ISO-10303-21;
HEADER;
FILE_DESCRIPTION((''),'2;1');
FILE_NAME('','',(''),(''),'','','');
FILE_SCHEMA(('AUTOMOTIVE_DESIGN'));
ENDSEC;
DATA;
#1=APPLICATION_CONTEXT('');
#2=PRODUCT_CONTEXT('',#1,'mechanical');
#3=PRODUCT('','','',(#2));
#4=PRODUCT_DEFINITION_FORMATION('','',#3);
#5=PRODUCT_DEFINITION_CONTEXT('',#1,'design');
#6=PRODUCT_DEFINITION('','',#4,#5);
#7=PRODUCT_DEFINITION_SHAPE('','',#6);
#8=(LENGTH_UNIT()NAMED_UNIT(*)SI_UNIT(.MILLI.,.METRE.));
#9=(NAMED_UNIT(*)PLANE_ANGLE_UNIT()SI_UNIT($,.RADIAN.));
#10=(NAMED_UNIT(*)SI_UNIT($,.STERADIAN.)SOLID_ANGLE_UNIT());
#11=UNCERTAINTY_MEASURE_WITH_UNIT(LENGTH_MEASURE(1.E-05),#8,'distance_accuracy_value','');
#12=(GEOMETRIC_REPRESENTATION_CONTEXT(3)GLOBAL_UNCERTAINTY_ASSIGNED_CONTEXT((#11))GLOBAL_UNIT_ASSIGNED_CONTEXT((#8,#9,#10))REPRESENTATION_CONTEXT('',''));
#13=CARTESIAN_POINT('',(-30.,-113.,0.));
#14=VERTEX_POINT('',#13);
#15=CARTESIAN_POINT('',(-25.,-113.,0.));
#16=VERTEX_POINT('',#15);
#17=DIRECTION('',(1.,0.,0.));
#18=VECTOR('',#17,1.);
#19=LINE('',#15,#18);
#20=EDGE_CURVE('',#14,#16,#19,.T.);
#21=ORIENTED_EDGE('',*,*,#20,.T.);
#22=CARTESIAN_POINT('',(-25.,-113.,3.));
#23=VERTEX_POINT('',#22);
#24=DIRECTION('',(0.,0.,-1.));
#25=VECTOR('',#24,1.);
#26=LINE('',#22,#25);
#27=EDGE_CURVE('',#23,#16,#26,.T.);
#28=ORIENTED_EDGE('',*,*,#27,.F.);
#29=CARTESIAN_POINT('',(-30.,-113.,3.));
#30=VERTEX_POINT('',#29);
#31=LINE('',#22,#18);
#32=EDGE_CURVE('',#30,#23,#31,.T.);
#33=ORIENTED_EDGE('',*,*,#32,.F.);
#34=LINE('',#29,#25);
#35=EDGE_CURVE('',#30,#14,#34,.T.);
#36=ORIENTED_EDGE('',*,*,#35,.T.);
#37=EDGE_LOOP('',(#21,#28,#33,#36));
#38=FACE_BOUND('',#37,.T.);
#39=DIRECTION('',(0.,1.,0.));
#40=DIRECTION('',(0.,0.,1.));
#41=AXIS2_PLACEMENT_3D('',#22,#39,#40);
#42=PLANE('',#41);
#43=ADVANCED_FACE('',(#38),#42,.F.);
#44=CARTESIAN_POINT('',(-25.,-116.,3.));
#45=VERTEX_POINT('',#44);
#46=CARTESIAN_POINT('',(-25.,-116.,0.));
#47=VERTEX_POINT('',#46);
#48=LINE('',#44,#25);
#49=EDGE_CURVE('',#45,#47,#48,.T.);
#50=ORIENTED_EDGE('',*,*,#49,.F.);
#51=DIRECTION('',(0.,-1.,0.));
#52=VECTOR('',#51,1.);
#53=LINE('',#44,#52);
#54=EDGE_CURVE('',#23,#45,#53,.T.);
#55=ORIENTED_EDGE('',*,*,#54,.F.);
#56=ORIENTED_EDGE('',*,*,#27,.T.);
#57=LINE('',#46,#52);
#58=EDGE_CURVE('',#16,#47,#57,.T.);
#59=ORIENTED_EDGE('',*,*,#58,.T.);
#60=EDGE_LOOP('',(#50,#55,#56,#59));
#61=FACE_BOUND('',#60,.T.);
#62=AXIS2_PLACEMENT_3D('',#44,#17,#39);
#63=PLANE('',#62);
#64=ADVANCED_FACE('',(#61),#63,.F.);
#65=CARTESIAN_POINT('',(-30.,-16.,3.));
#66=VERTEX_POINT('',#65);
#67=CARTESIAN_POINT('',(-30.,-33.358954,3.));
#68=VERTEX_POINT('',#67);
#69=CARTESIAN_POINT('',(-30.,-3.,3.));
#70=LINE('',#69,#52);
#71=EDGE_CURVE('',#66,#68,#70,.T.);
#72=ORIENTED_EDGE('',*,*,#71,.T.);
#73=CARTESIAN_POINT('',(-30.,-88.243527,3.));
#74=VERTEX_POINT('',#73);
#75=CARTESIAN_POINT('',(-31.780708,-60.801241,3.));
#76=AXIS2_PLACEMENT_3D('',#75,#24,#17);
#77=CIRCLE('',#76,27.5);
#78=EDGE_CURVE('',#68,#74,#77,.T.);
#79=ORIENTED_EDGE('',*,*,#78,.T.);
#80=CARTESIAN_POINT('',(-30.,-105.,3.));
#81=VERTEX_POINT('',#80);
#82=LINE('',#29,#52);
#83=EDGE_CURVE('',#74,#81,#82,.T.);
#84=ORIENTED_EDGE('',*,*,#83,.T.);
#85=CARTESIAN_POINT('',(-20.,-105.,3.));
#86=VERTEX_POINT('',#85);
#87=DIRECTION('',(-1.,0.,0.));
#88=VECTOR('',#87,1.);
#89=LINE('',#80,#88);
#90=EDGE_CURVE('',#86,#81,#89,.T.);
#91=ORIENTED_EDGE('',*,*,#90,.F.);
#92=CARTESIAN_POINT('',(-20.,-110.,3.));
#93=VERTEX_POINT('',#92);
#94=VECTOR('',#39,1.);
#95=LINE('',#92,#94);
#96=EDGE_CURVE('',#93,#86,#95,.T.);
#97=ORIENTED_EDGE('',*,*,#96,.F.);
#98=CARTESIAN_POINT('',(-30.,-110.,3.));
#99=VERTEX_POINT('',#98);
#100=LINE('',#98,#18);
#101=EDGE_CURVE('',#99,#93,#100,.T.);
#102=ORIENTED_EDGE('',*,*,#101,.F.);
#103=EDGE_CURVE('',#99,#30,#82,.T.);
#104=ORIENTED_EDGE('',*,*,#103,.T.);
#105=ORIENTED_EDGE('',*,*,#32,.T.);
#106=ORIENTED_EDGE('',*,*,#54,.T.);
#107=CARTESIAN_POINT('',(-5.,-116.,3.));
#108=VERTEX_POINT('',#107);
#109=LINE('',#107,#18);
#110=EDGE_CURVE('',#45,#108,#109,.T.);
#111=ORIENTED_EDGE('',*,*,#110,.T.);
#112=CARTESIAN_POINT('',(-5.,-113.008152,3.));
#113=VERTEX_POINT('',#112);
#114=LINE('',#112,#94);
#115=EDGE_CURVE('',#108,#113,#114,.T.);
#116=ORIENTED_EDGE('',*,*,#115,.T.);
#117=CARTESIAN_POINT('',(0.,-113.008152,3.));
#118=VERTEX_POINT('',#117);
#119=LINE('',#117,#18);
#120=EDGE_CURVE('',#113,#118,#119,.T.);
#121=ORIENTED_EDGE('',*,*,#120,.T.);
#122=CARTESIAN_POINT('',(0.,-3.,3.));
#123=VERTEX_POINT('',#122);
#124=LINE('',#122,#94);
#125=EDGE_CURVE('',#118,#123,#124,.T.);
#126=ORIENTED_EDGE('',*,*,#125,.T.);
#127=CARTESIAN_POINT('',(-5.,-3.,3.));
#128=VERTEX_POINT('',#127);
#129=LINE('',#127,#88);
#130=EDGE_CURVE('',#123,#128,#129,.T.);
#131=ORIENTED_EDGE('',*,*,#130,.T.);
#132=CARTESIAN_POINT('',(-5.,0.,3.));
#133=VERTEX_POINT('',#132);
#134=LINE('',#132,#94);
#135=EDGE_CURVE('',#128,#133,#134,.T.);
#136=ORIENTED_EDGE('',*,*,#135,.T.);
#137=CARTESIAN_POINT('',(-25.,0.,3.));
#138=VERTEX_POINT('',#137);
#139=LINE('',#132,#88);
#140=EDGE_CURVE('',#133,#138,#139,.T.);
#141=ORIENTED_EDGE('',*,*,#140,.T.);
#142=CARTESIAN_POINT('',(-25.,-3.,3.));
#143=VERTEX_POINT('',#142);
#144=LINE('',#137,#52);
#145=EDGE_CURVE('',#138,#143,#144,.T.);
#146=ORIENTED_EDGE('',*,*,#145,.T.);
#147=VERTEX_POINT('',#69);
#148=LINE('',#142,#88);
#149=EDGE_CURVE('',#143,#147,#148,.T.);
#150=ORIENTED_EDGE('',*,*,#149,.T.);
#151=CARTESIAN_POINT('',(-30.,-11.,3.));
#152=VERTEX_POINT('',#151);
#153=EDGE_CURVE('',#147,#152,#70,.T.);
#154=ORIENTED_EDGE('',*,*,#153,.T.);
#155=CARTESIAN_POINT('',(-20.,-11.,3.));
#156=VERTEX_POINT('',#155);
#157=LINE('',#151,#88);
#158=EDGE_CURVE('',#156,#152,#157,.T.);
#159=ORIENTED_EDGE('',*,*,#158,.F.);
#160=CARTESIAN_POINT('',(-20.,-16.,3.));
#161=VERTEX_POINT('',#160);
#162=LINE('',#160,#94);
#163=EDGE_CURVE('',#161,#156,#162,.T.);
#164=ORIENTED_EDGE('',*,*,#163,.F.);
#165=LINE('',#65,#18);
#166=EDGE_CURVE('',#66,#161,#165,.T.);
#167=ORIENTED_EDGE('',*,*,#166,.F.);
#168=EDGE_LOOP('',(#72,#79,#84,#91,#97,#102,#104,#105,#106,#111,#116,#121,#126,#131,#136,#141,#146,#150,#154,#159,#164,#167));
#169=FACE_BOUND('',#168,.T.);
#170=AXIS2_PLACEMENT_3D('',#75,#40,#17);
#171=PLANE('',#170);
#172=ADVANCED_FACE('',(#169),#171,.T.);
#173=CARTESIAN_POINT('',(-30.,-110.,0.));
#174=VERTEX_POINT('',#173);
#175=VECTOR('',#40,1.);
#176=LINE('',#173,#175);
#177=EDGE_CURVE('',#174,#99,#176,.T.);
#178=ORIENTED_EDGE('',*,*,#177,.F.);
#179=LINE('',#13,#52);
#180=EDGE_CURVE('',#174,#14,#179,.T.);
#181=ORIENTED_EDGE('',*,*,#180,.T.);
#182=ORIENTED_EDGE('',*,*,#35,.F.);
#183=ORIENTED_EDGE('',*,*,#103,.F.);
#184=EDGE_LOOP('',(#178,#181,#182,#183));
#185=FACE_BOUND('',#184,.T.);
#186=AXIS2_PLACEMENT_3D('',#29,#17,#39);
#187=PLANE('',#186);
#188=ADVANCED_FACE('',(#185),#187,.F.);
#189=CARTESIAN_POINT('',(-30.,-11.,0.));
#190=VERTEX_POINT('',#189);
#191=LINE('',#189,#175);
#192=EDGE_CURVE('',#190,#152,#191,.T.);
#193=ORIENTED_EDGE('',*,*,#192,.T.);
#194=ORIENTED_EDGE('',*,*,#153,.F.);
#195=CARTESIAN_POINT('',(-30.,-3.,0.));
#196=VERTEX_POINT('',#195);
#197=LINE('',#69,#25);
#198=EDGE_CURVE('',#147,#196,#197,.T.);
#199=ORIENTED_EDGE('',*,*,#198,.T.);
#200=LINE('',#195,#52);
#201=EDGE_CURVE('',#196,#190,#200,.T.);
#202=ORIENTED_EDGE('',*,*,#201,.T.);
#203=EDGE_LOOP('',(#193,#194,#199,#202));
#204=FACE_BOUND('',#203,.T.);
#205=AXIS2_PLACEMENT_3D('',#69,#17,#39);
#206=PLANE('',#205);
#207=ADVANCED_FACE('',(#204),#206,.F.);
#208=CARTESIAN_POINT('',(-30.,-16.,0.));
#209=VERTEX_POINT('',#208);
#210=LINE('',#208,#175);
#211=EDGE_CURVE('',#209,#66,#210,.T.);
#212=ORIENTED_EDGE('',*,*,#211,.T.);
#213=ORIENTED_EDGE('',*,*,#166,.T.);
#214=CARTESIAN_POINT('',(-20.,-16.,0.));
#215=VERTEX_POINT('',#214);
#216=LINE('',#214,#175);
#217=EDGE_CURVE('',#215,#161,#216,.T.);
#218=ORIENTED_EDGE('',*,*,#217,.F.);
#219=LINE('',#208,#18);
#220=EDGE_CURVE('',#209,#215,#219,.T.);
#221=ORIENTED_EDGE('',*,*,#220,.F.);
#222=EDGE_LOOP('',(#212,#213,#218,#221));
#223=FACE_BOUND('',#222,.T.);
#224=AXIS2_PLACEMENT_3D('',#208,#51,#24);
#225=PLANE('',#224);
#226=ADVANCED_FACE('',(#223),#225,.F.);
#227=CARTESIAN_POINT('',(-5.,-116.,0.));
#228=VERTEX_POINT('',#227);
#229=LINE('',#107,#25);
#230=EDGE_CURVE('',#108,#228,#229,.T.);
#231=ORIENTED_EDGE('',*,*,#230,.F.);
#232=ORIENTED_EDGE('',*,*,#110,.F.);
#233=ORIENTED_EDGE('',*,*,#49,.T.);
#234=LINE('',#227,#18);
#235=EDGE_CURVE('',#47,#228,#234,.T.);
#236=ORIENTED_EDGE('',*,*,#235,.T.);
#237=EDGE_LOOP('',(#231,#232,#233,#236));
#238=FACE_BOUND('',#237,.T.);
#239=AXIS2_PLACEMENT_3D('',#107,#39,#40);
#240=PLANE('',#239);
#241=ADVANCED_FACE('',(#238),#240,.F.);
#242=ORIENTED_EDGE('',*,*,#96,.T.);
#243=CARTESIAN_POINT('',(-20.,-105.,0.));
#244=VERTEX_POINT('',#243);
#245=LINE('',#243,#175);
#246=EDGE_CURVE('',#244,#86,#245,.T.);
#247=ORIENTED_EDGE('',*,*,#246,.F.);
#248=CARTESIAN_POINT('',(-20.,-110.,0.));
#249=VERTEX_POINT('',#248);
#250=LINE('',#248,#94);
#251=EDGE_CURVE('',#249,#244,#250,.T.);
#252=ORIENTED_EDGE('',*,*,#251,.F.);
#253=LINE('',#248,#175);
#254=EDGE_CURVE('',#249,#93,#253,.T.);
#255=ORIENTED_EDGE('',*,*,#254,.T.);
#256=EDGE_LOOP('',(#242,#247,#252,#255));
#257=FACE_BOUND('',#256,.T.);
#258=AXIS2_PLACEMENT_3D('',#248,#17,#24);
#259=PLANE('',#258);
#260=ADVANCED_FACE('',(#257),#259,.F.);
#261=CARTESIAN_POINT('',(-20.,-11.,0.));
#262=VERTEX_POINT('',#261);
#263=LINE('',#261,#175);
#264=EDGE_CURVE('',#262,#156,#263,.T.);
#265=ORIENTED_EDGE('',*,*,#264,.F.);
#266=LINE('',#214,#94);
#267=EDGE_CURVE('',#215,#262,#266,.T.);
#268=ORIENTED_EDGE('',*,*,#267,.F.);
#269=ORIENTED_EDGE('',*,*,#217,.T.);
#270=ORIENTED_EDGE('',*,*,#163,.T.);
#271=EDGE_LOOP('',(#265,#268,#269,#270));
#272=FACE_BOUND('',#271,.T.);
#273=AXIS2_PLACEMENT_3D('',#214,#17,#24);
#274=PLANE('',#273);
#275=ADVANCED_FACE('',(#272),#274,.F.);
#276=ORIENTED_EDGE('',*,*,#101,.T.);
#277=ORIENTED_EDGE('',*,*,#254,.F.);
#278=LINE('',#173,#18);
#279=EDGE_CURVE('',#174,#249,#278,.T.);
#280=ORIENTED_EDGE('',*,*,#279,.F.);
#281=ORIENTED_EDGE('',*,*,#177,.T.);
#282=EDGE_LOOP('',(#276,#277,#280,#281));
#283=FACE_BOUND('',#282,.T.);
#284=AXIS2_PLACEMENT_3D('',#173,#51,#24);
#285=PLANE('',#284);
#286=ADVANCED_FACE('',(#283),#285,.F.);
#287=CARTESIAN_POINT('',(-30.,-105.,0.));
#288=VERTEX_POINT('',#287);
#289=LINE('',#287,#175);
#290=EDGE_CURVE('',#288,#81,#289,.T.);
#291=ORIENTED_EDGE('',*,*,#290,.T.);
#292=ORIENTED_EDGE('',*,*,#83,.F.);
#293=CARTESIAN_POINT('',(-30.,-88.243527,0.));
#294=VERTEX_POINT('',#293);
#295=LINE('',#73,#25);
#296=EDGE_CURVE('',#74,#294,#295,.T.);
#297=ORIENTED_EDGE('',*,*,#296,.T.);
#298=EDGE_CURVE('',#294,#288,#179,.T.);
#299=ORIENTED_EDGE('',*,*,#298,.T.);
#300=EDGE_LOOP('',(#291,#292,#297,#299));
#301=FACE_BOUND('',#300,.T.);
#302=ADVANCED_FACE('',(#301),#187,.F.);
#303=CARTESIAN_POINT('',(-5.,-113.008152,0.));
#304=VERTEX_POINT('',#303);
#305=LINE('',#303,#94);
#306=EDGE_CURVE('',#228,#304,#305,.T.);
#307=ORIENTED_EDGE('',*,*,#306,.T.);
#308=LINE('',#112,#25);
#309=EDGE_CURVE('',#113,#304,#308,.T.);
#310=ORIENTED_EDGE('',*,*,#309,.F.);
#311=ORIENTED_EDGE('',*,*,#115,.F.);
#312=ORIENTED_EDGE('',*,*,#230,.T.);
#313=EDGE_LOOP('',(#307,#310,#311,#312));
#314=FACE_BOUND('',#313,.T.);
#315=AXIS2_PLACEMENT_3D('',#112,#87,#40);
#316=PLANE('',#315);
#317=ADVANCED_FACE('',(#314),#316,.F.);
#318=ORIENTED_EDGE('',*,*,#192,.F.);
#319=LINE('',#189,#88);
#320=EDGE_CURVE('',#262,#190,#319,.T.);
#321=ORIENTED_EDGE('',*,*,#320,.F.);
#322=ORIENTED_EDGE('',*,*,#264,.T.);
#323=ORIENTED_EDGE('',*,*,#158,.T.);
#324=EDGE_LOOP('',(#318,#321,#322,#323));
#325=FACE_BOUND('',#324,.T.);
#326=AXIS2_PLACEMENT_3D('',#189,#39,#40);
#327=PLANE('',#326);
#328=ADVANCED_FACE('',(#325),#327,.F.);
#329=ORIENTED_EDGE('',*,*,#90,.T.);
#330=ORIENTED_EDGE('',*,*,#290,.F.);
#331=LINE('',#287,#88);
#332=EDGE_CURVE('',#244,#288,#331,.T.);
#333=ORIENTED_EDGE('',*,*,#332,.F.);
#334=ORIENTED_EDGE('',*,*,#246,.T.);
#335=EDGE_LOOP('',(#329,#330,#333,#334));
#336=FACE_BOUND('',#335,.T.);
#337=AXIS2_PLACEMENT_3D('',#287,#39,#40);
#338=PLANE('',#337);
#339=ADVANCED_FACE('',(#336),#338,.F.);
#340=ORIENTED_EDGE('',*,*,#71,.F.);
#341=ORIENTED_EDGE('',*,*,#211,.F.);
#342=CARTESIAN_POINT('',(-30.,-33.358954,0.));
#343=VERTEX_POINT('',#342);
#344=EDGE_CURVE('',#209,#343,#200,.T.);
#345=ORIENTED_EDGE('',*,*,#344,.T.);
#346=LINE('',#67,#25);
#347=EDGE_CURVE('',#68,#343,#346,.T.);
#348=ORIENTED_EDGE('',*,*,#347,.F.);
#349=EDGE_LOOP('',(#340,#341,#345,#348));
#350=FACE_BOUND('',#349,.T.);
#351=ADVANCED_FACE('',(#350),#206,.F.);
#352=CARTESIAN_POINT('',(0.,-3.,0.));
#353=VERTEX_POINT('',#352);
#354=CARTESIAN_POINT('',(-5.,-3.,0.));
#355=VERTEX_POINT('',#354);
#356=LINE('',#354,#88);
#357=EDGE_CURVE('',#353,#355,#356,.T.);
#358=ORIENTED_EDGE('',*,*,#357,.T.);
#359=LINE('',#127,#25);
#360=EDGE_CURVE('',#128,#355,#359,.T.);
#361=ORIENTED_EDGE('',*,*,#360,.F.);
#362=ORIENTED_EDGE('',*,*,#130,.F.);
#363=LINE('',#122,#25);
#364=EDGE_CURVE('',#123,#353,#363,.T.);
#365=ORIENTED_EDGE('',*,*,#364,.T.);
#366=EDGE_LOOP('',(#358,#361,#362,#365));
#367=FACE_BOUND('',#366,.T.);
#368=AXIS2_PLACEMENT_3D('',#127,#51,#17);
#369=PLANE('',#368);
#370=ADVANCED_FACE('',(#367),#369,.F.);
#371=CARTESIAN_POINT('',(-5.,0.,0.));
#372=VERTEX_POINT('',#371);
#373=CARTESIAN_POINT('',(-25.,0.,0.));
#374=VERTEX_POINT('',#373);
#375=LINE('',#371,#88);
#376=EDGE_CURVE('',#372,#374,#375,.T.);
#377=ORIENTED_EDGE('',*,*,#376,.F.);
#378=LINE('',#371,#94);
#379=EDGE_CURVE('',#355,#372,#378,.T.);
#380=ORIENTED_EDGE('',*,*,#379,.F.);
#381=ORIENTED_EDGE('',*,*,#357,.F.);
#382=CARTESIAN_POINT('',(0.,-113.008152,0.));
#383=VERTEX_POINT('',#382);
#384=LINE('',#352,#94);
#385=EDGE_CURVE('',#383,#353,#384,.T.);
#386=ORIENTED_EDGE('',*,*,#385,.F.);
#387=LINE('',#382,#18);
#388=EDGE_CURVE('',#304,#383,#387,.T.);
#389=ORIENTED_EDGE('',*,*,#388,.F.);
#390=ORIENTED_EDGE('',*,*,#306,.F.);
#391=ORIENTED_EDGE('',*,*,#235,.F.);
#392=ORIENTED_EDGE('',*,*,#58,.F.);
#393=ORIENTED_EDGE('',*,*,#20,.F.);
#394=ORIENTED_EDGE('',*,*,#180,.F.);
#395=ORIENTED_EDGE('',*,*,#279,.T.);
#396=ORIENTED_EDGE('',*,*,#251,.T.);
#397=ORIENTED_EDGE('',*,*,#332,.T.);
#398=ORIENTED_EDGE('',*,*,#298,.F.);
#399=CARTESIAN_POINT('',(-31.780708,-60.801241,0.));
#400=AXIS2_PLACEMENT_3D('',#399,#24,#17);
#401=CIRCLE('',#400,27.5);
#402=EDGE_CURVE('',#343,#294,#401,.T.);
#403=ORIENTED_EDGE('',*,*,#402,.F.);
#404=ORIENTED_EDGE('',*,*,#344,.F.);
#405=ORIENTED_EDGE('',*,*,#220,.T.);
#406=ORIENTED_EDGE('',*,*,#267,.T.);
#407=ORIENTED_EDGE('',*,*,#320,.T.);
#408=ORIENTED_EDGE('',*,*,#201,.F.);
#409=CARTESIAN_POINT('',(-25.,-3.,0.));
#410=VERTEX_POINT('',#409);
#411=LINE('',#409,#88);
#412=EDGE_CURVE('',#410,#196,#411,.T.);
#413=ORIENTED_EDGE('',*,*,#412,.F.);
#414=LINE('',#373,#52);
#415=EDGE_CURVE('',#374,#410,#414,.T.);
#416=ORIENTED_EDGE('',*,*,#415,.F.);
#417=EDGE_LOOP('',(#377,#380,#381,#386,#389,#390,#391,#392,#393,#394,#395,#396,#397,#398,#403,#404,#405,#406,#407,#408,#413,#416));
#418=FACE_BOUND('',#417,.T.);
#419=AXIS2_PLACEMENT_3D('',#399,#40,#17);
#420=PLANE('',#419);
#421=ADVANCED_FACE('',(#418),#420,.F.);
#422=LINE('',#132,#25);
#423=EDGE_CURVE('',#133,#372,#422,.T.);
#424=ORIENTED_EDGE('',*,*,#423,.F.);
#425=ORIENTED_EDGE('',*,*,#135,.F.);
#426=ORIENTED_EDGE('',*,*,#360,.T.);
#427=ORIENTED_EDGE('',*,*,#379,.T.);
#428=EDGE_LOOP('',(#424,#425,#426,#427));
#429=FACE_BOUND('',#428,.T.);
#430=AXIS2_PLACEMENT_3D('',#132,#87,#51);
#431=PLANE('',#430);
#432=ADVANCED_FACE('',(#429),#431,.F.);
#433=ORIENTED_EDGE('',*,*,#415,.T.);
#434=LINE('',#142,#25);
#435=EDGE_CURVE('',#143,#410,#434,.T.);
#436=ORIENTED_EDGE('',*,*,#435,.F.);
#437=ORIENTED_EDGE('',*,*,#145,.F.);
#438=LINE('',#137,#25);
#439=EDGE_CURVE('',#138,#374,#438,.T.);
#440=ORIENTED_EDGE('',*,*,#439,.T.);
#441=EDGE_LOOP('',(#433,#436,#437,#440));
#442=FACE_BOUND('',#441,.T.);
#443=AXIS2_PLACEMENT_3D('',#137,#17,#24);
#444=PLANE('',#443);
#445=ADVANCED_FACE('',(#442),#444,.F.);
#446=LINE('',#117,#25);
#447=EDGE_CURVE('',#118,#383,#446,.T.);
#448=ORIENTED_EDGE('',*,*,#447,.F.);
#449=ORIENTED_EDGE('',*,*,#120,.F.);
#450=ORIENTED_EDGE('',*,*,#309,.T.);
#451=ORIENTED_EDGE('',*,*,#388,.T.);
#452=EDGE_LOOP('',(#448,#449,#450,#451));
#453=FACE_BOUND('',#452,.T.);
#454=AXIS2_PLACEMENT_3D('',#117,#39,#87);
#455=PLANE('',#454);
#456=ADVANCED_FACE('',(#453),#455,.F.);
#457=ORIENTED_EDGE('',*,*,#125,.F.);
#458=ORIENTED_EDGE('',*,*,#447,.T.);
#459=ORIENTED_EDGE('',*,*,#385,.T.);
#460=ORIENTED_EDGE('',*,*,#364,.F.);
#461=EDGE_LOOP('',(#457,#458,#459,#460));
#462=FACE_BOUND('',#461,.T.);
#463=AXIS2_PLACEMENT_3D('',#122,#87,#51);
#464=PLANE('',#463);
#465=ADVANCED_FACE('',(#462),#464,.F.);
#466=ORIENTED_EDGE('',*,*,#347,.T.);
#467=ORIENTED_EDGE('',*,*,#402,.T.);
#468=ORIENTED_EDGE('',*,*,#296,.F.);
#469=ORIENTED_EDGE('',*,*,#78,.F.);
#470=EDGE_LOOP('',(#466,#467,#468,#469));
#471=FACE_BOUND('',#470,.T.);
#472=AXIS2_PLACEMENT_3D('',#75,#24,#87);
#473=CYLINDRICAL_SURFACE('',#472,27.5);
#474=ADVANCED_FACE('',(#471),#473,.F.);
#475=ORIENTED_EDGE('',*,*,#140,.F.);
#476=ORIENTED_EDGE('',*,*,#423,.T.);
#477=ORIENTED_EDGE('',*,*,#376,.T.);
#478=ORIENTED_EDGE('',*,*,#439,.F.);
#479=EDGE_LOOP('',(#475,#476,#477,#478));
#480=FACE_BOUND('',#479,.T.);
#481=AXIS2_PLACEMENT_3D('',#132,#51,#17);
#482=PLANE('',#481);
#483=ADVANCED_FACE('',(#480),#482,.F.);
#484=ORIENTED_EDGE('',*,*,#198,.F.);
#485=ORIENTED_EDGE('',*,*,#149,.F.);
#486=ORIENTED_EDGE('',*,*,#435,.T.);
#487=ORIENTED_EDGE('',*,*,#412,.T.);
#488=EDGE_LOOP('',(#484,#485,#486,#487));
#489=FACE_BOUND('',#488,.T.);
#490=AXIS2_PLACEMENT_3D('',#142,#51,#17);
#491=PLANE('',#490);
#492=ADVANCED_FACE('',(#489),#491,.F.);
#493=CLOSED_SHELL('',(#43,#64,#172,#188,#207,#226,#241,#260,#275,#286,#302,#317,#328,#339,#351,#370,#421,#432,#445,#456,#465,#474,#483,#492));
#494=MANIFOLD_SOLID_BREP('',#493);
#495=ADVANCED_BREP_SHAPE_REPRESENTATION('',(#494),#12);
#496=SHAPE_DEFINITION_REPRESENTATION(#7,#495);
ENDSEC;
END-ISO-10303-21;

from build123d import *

# Parameters (mm, degrees)
BOSS_EXTRUDE1_DEPTH = 3
SKETCH2_W           = 10
SKETCH2_H           = 5
CUT_EXTRUDE1_DEPTH  = 3


with BuildPart() as part:
    # Sketch1 → Boss-Extrude1 (new body)
    with BuildSketch(Plane.XY):
        with BuildLine():
            Line((-5, 0), (-5, -3))
            Line((-5, -3), (0, -3))
            Line((0, -3), (0, -113.008152331))
            Line((0, -113.008152331), (-5, -113.008152331))
            Line((-5, -113.008152331), (-5, -116))
            Line((-5, -116), (-25, -116))
            Line((-25, -116), (-25, -113))
            Line((-25, -113), (-30, -113))
            Line((-30, -113), (-30, -88.243527021))
            ThreePointArc((-30, -88.243527021), (-4.280708477, -60.801240722), (-30, -33.358954423))
            Line((-30, -33.358954423), (-30, -3))
            Line((-30, -3), (-25, -3))
            Line((-25, -3), (-25, 0))
            Line((-25, 0), (-5, 0))
        make_face()
    extrude(amount=BOSS_EXTRUDE1_DEPTH)

    # Sketch2 → Cut-Extrude1 (cut)
    with BuildSketch(Plane.XY.offset(3)):
        with Locations((-25, -107.5)):
            Rectangle(SKETCH2_W, SKETCH2_H)
        with Locations((-25, -13.5)):
            Rectangle(SKETCH2_W, SKETCH2_H)
    extrude(amount=-CUT_EXTRUDE1_DEPTH, mode=Mode.SUBTRACT)


solid = part.part
